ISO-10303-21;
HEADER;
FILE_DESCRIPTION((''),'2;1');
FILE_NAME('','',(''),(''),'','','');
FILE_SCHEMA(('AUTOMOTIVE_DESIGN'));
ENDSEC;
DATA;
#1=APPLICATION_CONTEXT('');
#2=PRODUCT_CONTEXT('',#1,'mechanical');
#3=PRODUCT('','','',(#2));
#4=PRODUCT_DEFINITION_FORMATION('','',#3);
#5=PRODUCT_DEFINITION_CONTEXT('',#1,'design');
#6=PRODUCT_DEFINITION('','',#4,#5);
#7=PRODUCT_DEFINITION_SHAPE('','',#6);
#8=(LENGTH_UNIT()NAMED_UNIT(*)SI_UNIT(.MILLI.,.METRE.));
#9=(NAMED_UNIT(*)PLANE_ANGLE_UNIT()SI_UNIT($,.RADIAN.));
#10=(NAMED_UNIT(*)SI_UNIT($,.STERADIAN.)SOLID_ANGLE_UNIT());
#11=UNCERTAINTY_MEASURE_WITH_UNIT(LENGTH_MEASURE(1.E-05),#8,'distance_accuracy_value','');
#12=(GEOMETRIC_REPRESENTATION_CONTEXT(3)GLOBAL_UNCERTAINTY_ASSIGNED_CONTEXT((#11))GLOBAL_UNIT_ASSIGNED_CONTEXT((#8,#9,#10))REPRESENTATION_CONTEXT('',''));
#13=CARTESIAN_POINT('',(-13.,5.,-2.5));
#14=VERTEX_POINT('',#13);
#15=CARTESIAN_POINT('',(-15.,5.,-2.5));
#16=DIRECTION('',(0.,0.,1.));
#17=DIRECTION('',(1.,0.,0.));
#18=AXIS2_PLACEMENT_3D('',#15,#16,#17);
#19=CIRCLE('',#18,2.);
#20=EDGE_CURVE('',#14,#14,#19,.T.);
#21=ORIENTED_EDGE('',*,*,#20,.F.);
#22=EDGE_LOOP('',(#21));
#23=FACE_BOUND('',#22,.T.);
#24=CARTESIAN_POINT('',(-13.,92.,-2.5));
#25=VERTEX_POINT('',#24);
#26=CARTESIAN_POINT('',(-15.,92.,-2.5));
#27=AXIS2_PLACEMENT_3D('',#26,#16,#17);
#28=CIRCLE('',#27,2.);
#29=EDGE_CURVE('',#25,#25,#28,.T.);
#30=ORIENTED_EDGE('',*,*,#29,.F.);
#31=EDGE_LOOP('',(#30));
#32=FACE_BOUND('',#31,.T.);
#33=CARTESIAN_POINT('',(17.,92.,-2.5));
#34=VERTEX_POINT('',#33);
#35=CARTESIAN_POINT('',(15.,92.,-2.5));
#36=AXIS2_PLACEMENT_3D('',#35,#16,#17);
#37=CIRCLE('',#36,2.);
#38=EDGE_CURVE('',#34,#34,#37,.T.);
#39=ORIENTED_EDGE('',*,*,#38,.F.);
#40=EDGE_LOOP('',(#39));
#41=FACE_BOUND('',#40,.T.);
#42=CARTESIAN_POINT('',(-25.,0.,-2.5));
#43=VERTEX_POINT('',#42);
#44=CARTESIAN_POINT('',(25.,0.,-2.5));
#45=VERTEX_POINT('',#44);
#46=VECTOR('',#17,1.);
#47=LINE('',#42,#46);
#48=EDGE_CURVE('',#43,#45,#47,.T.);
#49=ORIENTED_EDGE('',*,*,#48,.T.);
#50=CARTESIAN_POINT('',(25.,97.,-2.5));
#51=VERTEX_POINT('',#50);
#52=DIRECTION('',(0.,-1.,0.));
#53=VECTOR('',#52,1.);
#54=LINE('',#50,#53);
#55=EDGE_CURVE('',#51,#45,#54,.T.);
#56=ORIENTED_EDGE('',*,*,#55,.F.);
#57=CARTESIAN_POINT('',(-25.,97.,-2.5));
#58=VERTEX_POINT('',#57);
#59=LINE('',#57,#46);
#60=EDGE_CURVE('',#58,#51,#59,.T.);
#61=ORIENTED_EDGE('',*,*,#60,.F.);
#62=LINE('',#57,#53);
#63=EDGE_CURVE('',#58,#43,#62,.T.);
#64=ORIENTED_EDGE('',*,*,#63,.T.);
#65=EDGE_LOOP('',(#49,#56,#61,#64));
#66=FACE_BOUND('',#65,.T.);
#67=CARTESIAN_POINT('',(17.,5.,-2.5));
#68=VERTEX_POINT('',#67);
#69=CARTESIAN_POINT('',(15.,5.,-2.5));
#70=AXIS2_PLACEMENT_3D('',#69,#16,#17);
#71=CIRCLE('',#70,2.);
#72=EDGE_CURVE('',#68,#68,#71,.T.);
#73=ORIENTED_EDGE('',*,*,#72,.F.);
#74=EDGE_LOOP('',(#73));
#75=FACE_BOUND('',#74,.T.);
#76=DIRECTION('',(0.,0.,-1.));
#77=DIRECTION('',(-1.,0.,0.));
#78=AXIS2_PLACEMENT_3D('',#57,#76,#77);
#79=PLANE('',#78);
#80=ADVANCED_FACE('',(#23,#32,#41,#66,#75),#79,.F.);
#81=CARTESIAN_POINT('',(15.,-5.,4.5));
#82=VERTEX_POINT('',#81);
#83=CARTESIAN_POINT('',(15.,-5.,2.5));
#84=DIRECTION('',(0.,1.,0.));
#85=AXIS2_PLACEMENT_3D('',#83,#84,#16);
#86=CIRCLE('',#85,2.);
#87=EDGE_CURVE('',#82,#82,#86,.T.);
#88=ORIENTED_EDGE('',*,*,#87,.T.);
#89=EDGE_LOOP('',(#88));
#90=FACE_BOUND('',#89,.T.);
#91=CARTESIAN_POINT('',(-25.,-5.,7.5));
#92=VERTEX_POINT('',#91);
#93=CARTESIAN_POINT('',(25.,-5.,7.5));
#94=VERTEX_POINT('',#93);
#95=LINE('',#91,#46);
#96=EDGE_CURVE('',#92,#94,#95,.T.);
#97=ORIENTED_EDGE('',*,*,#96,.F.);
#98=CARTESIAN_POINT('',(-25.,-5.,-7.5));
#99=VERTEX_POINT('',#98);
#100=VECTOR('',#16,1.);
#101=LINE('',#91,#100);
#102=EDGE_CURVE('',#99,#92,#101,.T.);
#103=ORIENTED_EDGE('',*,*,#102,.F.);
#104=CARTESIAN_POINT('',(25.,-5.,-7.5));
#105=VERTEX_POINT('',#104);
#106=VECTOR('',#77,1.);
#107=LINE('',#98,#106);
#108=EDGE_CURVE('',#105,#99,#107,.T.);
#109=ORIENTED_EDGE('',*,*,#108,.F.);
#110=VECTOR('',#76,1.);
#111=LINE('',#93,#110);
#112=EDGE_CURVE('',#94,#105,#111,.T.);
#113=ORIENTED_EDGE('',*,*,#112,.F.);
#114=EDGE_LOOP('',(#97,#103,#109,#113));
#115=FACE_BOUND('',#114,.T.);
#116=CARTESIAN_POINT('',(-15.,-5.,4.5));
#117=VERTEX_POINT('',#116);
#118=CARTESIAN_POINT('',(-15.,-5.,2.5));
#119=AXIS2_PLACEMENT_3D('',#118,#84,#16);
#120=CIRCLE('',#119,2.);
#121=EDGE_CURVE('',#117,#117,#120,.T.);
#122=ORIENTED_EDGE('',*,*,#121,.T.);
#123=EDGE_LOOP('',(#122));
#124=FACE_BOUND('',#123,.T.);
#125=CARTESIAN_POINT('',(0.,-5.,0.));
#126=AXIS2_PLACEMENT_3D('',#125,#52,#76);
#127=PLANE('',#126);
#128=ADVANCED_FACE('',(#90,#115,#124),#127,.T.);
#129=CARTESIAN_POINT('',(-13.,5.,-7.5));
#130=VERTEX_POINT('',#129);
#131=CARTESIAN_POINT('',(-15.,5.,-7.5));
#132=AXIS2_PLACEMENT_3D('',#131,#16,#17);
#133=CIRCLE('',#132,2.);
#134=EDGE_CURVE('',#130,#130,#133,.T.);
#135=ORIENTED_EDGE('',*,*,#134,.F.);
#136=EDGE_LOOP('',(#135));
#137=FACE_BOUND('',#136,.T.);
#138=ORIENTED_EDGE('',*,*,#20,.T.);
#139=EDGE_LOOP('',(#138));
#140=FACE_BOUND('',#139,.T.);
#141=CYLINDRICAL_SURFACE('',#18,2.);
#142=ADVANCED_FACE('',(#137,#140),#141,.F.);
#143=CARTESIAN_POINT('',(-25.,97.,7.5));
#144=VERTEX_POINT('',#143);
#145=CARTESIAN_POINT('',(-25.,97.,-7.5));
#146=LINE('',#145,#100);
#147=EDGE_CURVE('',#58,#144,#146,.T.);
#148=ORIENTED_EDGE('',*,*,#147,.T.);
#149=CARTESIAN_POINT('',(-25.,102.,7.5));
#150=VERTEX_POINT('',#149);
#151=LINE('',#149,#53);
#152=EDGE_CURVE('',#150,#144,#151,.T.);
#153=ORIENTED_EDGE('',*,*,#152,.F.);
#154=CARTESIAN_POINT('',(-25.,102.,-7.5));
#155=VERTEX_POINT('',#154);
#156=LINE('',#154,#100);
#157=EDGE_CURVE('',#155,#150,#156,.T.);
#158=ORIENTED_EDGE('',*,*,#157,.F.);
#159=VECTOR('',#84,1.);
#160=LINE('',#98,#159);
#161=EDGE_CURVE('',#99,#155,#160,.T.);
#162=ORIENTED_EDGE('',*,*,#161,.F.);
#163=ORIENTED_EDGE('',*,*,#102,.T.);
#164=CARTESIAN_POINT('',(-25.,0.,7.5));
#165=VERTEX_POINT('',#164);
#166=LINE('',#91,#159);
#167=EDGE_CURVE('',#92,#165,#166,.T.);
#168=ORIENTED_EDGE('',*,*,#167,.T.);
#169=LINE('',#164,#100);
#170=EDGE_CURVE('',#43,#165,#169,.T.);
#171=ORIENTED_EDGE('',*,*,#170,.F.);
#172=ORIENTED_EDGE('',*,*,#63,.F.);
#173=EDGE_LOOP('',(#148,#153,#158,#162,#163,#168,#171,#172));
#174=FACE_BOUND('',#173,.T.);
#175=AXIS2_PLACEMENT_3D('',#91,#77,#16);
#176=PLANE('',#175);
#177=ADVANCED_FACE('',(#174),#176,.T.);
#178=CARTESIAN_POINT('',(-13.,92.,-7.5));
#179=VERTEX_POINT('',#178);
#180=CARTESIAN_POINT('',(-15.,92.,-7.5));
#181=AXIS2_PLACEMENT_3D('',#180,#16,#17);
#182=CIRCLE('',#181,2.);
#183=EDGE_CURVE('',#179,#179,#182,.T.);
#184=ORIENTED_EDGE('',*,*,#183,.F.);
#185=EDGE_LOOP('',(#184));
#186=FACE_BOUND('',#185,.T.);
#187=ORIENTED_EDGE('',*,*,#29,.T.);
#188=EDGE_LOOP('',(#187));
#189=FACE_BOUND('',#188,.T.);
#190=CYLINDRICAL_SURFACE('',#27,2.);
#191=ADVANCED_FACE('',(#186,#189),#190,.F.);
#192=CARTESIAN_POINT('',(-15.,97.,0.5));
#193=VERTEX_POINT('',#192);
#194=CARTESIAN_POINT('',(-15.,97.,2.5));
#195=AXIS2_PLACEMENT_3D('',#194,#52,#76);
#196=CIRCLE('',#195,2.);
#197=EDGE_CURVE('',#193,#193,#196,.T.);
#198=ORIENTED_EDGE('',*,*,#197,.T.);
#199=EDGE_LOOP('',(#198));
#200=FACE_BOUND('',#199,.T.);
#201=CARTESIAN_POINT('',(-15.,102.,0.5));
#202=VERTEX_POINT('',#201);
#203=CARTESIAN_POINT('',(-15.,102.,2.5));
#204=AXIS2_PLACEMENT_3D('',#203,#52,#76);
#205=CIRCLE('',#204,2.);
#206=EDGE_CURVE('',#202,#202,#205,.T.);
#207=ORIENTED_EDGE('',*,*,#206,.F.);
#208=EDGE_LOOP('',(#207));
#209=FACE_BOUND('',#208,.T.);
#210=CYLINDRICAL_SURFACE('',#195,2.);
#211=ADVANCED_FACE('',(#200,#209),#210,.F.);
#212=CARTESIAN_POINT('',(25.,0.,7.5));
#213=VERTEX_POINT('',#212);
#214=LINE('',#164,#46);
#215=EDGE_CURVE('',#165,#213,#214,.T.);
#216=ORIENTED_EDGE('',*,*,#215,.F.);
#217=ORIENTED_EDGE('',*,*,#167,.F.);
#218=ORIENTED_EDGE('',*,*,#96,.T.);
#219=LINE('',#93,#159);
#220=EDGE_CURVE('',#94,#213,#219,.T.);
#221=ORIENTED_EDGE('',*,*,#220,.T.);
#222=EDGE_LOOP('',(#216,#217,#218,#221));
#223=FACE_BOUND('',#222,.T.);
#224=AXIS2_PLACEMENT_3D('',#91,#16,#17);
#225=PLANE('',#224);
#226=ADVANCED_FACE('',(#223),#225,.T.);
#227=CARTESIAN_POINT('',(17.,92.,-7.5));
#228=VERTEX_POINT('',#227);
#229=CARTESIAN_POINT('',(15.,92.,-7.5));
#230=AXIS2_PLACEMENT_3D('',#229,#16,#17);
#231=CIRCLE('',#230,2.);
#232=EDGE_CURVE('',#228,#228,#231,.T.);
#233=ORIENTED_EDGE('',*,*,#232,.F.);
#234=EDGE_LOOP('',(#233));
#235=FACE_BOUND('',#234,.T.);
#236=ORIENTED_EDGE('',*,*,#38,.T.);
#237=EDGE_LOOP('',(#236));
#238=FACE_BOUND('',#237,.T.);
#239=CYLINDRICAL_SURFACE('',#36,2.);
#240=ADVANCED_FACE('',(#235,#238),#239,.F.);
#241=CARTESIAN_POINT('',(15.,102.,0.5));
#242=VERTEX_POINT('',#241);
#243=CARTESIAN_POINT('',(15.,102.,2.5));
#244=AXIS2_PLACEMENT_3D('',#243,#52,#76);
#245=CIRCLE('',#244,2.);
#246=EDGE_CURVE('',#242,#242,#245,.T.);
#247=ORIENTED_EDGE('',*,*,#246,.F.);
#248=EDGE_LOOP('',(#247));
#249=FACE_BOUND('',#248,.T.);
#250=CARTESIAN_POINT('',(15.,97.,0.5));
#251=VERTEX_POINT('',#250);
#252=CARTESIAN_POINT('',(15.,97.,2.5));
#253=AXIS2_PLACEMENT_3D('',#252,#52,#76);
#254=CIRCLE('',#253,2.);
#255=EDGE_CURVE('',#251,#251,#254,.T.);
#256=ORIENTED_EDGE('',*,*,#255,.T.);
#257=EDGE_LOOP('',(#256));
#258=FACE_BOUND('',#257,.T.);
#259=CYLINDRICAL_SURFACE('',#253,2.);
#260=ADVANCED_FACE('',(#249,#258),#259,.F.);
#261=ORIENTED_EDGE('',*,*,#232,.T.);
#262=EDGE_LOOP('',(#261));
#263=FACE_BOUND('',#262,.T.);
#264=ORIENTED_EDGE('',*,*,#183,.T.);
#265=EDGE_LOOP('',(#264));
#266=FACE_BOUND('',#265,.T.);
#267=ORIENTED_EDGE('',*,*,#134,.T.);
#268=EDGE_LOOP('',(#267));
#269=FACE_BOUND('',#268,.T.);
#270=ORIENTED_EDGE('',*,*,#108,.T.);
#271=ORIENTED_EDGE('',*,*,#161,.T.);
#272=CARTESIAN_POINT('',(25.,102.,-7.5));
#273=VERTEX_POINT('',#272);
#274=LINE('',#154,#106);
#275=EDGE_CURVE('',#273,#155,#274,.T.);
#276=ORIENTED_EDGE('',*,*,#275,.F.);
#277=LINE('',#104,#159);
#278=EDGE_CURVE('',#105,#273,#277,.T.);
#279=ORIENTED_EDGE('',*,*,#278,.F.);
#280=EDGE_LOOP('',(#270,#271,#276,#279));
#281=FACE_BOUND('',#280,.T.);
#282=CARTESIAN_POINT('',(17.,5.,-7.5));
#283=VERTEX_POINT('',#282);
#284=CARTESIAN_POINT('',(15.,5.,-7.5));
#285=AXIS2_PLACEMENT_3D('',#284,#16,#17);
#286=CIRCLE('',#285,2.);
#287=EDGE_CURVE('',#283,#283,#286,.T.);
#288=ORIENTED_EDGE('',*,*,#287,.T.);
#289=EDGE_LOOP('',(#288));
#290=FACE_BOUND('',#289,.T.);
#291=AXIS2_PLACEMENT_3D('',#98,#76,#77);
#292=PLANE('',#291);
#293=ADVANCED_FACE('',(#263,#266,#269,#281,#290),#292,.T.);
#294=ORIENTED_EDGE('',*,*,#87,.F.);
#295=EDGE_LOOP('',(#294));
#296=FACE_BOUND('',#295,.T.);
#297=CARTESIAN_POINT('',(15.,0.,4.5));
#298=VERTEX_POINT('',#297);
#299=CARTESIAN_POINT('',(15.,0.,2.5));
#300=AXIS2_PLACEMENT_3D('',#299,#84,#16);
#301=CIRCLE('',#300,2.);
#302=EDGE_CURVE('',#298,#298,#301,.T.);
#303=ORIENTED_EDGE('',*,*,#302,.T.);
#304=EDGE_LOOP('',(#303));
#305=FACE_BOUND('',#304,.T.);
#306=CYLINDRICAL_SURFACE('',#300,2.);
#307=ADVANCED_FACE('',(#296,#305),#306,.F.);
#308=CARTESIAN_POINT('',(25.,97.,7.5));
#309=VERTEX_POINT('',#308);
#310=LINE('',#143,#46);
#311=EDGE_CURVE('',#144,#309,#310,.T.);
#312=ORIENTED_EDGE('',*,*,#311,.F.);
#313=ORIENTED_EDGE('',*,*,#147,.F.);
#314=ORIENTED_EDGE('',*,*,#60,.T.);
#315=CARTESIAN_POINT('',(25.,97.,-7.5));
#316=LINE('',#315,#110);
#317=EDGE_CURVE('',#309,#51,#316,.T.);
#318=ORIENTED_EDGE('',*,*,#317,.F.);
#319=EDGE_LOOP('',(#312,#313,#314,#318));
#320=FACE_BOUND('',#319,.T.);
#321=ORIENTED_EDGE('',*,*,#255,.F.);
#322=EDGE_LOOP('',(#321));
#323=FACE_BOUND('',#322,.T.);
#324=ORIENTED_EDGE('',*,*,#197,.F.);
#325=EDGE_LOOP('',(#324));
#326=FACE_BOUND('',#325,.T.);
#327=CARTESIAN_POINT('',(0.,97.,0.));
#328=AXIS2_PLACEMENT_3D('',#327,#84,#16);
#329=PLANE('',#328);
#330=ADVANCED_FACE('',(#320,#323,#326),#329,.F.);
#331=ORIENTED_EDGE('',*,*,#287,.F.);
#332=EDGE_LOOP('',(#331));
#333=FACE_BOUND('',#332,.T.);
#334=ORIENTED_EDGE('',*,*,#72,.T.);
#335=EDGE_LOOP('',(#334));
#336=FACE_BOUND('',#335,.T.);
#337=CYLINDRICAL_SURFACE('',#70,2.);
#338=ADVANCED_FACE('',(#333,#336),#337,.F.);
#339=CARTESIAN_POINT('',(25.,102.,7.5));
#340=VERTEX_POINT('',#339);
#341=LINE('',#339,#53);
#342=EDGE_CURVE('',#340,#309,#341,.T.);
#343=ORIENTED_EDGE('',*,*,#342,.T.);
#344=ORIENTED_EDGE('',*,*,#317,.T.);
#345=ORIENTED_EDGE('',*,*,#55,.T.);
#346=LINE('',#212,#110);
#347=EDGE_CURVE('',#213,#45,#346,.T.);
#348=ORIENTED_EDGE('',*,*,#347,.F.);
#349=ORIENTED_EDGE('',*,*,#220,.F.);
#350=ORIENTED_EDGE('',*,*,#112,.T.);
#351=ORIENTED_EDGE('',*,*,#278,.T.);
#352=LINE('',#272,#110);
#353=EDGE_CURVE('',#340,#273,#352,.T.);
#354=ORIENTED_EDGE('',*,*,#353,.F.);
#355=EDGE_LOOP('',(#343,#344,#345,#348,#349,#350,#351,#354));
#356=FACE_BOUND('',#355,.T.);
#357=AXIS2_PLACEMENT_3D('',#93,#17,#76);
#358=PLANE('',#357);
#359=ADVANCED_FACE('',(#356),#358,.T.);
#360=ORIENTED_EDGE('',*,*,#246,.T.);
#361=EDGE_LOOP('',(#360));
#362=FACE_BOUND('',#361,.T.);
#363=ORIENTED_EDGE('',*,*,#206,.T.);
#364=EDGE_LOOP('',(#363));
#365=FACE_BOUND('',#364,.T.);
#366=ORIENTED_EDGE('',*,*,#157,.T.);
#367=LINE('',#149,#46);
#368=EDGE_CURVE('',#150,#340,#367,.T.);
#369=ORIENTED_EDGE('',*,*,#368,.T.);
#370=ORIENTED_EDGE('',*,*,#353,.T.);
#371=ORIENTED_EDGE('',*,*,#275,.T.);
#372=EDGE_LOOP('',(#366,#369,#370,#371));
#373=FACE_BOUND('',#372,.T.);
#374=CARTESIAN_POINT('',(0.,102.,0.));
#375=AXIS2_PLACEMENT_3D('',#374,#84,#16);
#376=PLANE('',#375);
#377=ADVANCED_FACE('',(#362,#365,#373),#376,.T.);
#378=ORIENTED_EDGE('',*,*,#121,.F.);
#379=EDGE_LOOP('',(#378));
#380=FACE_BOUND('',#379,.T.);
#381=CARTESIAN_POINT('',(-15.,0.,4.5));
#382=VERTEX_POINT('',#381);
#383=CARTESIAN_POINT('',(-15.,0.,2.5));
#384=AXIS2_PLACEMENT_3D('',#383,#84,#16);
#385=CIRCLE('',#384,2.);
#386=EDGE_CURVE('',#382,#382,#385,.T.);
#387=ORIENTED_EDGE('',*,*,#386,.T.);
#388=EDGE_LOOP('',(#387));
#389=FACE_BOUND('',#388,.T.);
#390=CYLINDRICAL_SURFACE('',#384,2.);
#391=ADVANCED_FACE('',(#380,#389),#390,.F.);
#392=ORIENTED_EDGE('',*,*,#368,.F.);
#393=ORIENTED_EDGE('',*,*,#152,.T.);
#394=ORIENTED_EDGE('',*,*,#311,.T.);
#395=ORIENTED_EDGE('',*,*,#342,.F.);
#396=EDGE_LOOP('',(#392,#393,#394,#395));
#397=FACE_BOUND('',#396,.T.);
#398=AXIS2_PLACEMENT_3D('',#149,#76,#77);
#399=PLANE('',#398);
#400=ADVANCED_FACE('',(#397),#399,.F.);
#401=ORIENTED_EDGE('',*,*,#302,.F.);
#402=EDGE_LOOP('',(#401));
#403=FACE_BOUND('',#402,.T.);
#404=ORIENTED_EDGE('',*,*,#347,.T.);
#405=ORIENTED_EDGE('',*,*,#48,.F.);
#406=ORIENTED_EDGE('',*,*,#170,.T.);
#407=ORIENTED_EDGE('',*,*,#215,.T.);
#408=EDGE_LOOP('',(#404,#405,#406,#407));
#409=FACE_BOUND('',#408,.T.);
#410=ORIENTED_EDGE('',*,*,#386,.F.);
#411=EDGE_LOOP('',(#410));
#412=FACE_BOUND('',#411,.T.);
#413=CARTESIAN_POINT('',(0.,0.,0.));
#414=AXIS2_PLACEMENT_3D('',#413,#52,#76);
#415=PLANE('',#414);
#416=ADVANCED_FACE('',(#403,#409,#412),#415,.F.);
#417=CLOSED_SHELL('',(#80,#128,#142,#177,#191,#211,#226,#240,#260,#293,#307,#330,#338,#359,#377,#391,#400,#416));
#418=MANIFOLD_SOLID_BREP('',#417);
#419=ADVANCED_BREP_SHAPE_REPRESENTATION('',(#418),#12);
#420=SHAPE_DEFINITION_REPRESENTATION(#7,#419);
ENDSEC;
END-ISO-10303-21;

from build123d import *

# Parameters (mm, degrees)
SKETCH1_W                       = 50
SKETCH1_H                       = 15
BOSS_EXTRUDE1_DEPTH             = 5
SKETCH2_W                       = 50
SKETCH2_H                       = 5
BOSS_EXTRUDE2_DEPTH             = 97
SKETCH3_W                       = 50
SKETCH3_H                       = 15
BOSS_EXTRUDE3_DEPTH             = 5
F_4_0MM_DOWEL_HOLE1_D           = 4
F_4_0MM_DOWEL_HOLE1_ON_FACE_2_D = 4
F_4_0MM_DOWEL_HOLE1_ON_FACE_3_D = 4


with BuildPart() as part:
    # Sketch1 → Boss-Extrude1 (new body)
    with BuildSketch(Plane(origin=(0, 0, 0), x_dir=(1, 0, 0), z_dir=(0, 1, 0))):
        Rectangle(SKETCH1_W, SKETCH1_H)
    extrude(amount=-BOSS_EXTRUDE1_DEPTH)

    # Sketch2 → Boss-Extrude2 (add)
    with BuildSketch(Plane(origin=(0, 0, 0), x_dir=(1, 0, 0), z_dir=(0, 1, 0))):
        with Locations((0, 5)):
            Rectangle(SKETCH2_W, SKETCH2_H)
    extrude(amount=BOSS_EXTRUDE2_DEPTH)

    # Sketch3 → Boss-Extrude3 (add)
    with BuildSketch(Plane(origin=(0, 97, 0), x_dir=(1, 0, 0), z_dir=(0, 1, 0))):
        Rectangle(SKETCH3_W, SKETCH3_H)
    extrude(amount=BOSS_EXTRUDE3_DEPTH)

    # Ø4.0mm Dowel Hole1 (through all)
    with Locations(Plane(origin=(-15, 0, 2.5), x_dir=(0, 0, 1), z_dir=(0, 1, 0))):
        with Locations((0, 0), (0, 30)):
            Hole(F_4_0MM_DOWEL_HOLE1_D / 2)

    # Ø4.0mm Dowel Hole1 on face 2 (through all)
    with Locations(Plane(origin=(-15, 5, -2.5), x_dir=(1, 0, 0), z_dir=(0, 0, 1))):
        with Locations((0, 0), (30, 0), (0, 87), (30, 87)):
            Hole(F_4_0MM_DOWEL_HOLE1_ON_FACE_2_D / 2)

    # Ø4.0mm Dowel Hole1 on face 3 (through all)
    with Locations(Plane(origin=(15, 97, 2.5), x_dir=(0, 0, -1), z_dir=(0, -1, 0))):
        with Locations((0, 0), (0, -30)):
            Hole(F_4_0MM_DOWEL_HOLE1_ON_FACE_3_D / 2)


solid = part.part
